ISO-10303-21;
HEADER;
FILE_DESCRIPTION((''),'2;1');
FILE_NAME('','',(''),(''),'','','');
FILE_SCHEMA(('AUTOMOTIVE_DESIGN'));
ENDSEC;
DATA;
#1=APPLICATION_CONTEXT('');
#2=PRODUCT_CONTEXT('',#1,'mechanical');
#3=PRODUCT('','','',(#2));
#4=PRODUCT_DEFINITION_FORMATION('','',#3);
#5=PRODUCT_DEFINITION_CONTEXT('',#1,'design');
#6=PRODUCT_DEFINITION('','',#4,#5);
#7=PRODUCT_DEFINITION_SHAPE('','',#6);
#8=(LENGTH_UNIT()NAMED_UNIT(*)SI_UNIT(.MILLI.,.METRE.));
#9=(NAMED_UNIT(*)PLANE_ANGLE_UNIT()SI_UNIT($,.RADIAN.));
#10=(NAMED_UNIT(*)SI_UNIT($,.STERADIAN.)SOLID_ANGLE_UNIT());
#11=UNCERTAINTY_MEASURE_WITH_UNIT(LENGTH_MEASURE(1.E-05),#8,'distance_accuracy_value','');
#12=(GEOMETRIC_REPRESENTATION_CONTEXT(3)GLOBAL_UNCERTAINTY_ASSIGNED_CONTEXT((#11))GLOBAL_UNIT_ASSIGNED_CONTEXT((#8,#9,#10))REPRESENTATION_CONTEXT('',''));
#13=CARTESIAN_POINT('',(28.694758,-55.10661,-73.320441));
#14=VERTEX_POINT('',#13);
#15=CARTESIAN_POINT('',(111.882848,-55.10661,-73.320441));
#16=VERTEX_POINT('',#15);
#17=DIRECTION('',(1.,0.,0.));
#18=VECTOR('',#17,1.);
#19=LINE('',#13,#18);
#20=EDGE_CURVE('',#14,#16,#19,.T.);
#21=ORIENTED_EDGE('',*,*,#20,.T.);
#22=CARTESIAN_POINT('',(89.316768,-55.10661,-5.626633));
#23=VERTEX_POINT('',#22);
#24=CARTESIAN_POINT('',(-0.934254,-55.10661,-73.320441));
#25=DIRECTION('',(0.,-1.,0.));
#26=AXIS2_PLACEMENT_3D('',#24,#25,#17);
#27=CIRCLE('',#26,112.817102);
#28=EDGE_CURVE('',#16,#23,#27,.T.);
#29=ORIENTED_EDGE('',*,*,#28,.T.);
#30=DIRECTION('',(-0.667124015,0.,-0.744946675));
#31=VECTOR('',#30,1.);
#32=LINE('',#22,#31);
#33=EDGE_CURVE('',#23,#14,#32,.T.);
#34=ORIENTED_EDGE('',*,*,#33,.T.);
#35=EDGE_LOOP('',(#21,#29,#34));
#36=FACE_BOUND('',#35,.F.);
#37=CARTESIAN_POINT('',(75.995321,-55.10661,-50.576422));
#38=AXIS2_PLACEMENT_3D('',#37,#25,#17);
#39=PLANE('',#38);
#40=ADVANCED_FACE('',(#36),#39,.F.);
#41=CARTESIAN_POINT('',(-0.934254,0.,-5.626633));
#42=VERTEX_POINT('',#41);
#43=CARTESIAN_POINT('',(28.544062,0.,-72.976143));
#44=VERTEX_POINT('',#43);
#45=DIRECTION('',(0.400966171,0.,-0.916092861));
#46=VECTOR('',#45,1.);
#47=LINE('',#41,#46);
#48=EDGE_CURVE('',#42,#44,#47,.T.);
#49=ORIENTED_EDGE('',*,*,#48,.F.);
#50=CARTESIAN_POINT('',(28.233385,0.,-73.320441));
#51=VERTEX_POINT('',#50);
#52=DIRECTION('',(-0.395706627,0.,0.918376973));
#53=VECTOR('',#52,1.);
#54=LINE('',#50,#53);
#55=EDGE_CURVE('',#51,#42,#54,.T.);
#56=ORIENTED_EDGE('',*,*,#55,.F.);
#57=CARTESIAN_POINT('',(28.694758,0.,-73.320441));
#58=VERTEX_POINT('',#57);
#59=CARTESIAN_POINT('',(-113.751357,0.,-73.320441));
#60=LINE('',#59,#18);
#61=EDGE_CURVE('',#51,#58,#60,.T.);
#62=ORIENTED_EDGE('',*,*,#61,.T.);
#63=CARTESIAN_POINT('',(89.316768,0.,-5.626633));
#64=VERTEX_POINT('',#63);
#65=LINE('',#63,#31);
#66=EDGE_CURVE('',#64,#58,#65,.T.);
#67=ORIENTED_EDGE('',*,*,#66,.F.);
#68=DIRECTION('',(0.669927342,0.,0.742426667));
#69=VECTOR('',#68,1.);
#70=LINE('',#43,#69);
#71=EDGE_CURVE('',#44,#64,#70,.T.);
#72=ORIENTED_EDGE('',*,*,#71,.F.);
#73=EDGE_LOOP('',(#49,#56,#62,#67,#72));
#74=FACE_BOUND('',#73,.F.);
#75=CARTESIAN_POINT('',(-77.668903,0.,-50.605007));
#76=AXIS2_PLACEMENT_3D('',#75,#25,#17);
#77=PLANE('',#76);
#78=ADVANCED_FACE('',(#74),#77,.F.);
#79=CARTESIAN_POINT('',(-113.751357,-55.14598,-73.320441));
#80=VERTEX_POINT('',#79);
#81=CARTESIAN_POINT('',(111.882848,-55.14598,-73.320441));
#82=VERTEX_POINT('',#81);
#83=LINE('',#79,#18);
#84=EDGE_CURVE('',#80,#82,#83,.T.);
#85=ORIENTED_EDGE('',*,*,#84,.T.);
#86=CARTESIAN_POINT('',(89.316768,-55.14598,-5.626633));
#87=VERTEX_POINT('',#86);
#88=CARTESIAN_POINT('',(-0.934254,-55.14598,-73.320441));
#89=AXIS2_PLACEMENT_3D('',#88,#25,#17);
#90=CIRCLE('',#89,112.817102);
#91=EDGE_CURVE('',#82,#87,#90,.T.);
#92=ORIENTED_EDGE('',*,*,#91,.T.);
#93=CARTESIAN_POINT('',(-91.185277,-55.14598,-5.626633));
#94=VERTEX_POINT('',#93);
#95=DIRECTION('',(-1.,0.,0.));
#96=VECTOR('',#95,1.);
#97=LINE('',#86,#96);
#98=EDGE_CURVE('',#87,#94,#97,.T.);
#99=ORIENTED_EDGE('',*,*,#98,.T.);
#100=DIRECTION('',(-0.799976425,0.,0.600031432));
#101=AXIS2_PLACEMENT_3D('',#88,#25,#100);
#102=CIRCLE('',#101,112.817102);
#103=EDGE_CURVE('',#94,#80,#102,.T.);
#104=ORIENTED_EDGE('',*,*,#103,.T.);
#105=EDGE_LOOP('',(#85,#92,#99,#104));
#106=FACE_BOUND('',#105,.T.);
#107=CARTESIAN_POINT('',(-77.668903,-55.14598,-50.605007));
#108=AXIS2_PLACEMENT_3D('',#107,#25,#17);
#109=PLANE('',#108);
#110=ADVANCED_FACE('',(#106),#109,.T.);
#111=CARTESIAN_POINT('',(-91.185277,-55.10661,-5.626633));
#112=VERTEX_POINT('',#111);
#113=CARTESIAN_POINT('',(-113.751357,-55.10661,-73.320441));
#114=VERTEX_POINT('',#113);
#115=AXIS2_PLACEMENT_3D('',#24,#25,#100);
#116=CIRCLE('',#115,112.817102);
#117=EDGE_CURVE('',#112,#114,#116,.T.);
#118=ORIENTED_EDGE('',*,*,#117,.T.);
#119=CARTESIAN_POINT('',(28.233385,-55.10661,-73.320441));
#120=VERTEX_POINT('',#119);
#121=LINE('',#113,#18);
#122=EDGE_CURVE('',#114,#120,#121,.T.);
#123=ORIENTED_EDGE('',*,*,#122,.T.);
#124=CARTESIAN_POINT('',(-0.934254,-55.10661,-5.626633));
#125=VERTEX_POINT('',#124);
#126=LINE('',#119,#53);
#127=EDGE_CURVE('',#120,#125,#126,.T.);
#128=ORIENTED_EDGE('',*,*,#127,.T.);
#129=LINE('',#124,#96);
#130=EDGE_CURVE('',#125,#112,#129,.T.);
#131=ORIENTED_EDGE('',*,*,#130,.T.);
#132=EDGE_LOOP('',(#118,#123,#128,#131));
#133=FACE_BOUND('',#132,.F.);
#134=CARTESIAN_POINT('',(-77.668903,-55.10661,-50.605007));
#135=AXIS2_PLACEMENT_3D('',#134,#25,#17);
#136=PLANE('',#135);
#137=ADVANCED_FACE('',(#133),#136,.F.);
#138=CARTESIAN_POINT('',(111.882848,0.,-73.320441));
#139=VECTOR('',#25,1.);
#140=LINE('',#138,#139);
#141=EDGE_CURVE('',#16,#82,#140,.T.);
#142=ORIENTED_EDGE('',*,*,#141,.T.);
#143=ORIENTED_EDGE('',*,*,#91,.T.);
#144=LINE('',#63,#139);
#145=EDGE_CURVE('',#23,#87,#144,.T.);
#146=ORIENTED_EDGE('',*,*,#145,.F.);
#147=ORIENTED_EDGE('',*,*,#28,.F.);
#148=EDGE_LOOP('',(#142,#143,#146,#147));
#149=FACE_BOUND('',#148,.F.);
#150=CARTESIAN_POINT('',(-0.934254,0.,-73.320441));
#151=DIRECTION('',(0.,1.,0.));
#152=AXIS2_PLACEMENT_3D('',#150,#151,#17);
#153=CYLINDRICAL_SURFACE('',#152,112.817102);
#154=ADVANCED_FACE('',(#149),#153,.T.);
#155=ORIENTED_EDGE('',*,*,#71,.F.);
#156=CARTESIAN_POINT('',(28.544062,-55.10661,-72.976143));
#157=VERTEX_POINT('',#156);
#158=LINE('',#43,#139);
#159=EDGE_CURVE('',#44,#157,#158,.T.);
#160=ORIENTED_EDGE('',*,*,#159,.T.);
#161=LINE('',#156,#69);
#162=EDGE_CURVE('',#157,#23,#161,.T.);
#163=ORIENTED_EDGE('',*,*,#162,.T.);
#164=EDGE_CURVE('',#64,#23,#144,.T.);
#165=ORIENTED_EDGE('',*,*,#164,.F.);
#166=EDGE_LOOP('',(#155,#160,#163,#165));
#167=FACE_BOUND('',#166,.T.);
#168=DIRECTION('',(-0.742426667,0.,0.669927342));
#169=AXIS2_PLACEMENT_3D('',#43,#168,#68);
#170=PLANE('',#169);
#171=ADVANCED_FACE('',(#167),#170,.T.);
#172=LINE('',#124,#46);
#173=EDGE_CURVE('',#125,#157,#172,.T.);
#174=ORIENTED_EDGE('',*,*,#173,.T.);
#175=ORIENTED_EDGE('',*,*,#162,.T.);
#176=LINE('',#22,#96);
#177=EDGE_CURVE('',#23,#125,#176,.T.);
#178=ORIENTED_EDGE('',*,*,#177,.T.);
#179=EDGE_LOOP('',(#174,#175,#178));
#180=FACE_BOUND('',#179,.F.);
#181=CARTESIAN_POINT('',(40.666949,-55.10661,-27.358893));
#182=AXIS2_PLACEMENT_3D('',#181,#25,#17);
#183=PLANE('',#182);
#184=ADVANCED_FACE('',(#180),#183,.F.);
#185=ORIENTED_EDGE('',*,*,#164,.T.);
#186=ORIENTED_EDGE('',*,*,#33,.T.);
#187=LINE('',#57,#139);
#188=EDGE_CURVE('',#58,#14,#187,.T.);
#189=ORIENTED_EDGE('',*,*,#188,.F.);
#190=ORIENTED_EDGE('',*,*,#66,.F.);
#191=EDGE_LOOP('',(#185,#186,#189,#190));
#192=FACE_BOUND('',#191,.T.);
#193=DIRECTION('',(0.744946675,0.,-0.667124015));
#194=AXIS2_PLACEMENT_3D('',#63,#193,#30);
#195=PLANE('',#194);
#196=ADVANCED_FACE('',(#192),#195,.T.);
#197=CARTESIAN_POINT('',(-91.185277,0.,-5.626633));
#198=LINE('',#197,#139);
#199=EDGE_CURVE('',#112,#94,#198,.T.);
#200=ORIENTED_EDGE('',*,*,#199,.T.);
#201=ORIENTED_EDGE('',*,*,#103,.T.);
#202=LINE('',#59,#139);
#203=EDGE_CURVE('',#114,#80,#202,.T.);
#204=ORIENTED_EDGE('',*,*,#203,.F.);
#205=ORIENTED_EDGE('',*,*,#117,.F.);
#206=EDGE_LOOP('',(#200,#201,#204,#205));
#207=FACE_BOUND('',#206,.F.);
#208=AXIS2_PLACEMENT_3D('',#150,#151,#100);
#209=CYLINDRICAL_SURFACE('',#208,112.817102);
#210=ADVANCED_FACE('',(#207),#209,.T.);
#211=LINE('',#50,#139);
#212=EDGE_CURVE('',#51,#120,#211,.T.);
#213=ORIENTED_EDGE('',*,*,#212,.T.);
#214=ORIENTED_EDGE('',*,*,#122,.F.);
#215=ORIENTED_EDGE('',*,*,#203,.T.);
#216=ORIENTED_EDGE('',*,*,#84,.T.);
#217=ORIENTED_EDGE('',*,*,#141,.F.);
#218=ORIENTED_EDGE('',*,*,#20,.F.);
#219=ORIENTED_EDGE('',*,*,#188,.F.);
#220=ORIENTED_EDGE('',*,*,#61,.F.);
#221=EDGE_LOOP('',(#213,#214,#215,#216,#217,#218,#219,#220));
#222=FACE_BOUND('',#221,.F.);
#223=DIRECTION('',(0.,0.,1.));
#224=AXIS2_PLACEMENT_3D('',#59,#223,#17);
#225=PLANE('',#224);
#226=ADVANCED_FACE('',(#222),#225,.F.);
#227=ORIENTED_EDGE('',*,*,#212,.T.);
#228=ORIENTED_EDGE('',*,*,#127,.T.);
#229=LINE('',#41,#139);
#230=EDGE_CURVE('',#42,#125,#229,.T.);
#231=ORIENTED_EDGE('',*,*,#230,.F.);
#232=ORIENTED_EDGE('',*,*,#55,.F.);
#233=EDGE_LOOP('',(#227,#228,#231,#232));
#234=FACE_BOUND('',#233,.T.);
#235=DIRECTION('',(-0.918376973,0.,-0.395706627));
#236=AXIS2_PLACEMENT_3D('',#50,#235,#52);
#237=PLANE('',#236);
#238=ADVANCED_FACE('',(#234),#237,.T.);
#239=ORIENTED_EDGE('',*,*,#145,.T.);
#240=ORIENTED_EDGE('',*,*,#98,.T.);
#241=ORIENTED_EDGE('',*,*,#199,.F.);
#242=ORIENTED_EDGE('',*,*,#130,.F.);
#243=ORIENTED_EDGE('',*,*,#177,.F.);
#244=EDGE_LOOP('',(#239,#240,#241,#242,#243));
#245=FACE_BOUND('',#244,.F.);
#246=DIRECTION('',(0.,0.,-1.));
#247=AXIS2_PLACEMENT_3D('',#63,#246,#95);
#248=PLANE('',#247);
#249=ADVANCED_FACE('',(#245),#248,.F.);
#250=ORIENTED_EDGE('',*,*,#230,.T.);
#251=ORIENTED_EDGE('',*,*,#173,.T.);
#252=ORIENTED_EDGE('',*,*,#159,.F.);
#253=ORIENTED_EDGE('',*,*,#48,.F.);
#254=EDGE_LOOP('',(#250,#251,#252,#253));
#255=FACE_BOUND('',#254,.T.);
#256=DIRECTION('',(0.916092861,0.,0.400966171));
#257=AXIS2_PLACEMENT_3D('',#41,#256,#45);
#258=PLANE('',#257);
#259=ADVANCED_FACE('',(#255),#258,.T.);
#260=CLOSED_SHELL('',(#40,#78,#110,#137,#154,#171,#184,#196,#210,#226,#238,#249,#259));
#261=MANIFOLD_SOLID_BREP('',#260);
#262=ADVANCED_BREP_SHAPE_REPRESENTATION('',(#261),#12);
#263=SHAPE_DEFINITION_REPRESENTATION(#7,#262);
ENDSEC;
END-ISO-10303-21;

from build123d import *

# Parameters (mm, degrees)
F1_DEPTH = 55.14598
F2_DEPTH = 55.10661


with BuildPart() as f1:
    # F0 (on Front) → F1 (new body)
    with BuildSketch(Plane.XZ):
        with BuildLine():
            ThreePointArc((-91.1852765326, -5.6266334396), (-107.9612541652, -37.6424381045), (-113.7513566665, -73.320440948))
            Line((-113.7513566665, -73.320440948), (-30.1018934697, -73.320440948))
            Line((-30.1018934697, -73.320440948), (-91.1852765326, -5.6266334396))
        make_face()
        Polygon((-0.9342542419, -5.6266334396), (-30.1018934697, -73.320440948), (28.233384986, -73.320440948), align=None)
        Polygon((-91.1852765326, -5.6266334396), (-30.1018934697, -73.320440948), (-0.9342542419, -5.6266334396), align=None)
        Polygon((28.5440617805, -72.9761428087), (28.233384986, -73.320440948), (28.6947581917, -73.320440948), align=None)
        Polygon((-0.9342542419, -5.6266334396), (28.233384986, -73.320440948), (28.5440617805, -72.9761428087), align=None)
        Polygon((89.3167680488, -5.6266334396), (-0.9342542419, -5.6266334396), (28.5440617805, -72.9761428087), align=None)
        with BuildLine():
            Line((89.3167680488, -5.6266334396), (28.6947581917, -73.320440948))
            Line((28.6947581917, -73.320440948), (111.8828481828, -73.320440948))
            ThreePointArc((111.8828481828, -73.320440948), (106.0927456815, -37.6424381045), (89.3167680488, -5.6266334396))
        make_face()
        Polygon((28.5440617805, -72.9761428087), (28.6947581917, -73.320440948), (89.3167680488, -5.6266334396), align=None)
    extrude(amount=F1_DEPTH)

    # F0 (on Front) → F2 (cut)
    with BuildSketch(Plane.XZ):
        with BuildLine():
            ThreePointArc((-91.1852765326, -5.6266334396), (-107.9612541652, -37.6424381045), (-113.7513566665, -73.320440948))
            Line((-113.7513566665, -73.320440948), (-30.1018934697, -73.320440948))
            Line((-30.1018934697, -73.320440948), (-91.1852765326, -5.6266334396))
        make_face()
        Polygon((-91.1852765326, -5.6266334396), (-30.1018934697, -73.320440948), (-0.9342542419, -5.6266334396), align=None)
        Polygon((-0.9342542419, -5.6266334396), (-30.1018934697, -73.320440948), (28.233384986, -73.320440948), align=None)
        Polygon((89.3167680488, -5.6266334396), (-0.9342542419, -5.6266334396), (28.5440617805, -72.9761428087), align=None)
        with BuildLine():
            Line((89.3167680488, -5.6266334396), (28.6947581917, -73.320440948))
            Line((28.6947581917, -73.320440948), (111.8828481828, -73.320440948))
            ThreePointArc((111.8828481828, -73.320440948), (106.0927456815, -37.6424381045), (89.3167680488, -5.6266334396))
        make_face()
    extrude(amount=F2_DEPTH, mode=Mode.SUBTRACT)


solid = f1.part
